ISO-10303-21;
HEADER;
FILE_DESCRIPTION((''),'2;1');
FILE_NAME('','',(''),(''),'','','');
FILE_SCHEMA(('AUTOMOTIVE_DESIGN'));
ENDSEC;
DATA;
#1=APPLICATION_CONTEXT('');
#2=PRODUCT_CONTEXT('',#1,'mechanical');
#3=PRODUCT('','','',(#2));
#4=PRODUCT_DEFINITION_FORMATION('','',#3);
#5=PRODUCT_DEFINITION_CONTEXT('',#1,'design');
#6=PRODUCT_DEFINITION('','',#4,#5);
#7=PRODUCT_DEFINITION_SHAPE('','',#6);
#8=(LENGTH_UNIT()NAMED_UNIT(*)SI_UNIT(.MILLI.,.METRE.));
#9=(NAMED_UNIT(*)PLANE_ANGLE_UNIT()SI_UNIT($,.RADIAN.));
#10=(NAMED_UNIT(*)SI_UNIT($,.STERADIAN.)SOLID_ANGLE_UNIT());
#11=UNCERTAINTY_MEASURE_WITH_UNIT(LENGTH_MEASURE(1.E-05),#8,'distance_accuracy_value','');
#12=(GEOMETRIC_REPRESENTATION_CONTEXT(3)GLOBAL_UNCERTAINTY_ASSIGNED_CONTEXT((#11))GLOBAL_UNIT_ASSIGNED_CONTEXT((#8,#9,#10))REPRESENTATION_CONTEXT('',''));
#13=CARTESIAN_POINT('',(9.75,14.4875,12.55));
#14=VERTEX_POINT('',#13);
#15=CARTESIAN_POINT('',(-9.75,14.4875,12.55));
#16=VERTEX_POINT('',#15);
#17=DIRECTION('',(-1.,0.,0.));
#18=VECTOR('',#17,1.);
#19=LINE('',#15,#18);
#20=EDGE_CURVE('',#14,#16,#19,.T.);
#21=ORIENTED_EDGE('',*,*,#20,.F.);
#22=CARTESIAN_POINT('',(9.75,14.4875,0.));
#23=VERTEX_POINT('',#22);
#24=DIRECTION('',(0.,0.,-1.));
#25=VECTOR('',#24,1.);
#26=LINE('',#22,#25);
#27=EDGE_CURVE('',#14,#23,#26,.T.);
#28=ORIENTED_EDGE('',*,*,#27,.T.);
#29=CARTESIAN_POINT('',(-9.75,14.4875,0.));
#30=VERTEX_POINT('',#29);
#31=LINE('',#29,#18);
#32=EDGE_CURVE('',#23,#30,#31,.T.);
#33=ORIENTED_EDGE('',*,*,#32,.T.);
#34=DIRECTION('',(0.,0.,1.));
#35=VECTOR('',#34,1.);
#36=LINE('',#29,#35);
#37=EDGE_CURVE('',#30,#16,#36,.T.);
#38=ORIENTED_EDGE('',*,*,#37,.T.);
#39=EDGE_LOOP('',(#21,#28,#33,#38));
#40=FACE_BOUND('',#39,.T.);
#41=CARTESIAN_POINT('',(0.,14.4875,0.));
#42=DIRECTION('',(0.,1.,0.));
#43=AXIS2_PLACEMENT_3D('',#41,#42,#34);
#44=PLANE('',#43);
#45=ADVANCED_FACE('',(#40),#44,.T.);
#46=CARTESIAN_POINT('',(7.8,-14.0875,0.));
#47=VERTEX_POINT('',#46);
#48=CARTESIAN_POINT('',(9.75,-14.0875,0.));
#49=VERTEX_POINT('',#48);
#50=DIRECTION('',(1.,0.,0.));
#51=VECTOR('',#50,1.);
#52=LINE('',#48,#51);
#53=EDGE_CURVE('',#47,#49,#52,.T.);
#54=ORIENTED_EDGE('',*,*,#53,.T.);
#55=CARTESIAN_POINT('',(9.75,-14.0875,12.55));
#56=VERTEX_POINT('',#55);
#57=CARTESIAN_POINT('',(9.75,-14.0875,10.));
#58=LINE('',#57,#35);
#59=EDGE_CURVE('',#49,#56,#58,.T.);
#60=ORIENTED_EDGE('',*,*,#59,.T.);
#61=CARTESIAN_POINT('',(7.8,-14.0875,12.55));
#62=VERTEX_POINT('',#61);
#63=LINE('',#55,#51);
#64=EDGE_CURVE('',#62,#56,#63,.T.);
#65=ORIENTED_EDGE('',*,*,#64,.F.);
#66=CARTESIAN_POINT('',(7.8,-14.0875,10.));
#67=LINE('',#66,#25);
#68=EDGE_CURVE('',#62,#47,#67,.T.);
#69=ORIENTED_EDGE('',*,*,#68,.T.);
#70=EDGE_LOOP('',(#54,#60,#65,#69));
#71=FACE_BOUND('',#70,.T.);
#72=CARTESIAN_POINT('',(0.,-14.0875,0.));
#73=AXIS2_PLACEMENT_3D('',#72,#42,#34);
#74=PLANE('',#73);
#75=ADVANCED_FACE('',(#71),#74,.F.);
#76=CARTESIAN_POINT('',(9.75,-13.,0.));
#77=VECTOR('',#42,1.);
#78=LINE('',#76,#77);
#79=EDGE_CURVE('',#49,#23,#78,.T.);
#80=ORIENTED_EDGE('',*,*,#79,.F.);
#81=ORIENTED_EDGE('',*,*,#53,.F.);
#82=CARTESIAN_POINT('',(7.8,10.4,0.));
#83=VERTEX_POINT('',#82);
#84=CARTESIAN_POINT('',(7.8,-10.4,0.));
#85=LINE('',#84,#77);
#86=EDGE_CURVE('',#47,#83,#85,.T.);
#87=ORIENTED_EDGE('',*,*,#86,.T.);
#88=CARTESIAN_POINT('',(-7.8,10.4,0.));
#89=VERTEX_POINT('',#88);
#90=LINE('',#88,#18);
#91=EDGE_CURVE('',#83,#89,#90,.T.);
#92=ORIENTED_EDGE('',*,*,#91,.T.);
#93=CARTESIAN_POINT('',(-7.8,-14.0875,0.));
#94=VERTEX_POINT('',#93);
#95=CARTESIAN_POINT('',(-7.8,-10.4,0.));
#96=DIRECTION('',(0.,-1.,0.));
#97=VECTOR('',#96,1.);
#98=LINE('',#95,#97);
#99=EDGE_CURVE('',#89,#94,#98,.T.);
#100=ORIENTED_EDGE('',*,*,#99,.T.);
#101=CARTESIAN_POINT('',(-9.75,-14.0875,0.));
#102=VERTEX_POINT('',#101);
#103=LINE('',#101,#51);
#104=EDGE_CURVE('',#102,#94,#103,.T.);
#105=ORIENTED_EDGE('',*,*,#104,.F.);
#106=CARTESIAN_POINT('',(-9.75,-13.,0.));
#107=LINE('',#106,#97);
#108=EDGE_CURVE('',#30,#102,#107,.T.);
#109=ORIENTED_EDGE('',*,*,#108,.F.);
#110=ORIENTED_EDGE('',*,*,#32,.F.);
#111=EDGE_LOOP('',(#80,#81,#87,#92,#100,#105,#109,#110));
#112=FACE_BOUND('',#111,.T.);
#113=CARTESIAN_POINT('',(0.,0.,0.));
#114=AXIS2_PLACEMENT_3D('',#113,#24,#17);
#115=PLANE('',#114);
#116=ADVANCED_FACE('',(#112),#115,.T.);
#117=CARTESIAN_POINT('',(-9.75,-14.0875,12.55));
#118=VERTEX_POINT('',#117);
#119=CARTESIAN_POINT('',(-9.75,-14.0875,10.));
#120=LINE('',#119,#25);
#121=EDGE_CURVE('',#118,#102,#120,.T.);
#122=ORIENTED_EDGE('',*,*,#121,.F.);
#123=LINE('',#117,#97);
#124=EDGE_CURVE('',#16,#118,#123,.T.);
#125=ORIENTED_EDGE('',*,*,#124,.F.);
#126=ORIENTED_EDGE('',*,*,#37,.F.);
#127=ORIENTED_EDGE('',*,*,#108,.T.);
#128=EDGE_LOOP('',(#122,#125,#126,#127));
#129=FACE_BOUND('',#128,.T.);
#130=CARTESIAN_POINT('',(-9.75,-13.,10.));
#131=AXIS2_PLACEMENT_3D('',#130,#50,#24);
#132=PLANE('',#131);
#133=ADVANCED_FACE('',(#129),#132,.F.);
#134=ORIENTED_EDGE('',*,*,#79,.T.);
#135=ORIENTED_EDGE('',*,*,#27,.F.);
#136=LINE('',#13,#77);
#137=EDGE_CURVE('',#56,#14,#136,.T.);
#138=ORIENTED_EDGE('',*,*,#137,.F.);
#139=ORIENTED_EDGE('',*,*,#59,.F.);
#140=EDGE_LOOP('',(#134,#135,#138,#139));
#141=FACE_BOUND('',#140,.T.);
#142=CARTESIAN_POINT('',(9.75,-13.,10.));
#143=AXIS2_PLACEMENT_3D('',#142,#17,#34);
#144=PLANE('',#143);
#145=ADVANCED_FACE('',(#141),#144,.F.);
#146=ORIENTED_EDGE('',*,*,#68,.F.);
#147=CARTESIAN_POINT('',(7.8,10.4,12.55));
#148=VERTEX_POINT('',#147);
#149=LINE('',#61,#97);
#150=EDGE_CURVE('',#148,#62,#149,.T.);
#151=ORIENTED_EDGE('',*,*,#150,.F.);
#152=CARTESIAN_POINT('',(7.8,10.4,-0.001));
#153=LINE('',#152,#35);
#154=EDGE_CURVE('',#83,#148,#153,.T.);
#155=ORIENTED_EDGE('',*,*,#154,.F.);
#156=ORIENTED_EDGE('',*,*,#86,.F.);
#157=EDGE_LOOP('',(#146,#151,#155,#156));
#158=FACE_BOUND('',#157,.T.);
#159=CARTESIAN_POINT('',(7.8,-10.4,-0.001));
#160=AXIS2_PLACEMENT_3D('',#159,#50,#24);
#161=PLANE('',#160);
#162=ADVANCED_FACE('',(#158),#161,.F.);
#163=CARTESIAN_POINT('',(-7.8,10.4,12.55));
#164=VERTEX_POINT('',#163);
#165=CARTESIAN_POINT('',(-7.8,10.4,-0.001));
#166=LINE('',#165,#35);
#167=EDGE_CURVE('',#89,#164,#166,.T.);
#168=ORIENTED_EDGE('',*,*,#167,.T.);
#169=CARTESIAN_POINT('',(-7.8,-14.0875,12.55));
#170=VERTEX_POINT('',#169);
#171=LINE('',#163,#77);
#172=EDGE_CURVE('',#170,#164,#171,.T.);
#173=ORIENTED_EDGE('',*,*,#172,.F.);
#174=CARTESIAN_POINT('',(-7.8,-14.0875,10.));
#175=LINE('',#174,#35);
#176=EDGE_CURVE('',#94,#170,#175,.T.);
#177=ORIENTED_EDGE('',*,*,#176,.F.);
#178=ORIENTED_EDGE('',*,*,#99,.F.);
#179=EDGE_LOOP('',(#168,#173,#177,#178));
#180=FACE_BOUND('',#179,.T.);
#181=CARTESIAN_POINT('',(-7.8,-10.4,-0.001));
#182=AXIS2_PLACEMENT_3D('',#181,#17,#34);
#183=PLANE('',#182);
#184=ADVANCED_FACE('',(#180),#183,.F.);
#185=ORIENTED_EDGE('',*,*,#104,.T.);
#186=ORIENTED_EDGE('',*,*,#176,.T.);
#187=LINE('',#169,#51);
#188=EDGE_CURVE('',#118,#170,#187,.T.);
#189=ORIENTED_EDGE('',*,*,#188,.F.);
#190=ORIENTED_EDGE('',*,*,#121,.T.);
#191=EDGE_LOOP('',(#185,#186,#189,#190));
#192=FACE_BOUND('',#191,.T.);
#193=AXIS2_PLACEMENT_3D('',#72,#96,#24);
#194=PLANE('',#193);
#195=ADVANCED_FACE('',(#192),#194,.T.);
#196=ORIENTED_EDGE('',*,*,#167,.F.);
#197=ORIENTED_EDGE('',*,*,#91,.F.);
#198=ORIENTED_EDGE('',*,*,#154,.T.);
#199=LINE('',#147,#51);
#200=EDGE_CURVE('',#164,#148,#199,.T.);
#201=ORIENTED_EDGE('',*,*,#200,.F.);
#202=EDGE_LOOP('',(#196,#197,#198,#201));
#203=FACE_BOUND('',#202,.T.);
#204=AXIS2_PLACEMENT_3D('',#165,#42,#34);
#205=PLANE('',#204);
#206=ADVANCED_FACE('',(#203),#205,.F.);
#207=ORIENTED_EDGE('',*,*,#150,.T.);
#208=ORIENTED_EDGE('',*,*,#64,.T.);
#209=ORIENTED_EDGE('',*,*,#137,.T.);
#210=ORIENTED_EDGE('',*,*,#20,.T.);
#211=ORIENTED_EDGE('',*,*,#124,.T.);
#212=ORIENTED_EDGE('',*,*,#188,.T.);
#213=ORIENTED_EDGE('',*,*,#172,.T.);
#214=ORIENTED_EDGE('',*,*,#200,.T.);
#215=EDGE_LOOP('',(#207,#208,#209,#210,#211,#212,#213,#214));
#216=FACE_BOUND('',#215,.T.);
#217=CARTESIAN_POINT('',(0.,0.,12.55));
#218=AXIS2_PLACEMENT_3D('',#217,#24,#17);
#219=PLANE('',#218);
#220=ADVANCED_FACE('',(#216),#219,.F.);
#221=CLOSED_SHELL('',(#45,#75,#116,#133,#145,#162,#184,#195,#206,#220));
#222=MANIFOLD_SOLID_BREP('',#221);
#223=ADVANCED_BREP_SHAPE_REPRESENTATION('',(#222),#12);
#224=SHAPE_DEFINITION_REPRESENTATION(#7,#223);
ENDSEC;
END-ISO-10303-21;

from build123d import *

# Parameters (mm, degrees)
SKETCH1_W           = 19.5
SKETCH1_H           = 26
BOSS_EXTRUDE1_DEPTH = 10
CUT_EXTRUDE1_REACH  = 21.08
SKETCH2_W           = 15.6
SKETCH2_H           = 20.8
CUT_EXTRUDE2_REACH  = 31.514
SKETCH3_R           = 1.25
CUT_EXTRUDE5_DEPTH  = 10
SKETCH8_W           = 19.5
SKETCH8_H           = 10
BOSS_EXTRUDE2_DEPTH = 1.4875
SKETCH9_W           = 15.6
SKETCH9_H           = 1.4875
SKETCH9_W_2         = 1.95
CUT_EXTRUDE7_DEPTH  = 21.123373381
SKETCH10_W          = 1.95
SKETCH10_H          = 10
BOSS_EXTRUDE3_DEPTH = 14.2875
BOSS_EXTRUDE4_DEPTH = 2.55


with BuildPart() as part:
    # Sketch1 → Boss-Extrude1 (new body)
    with BuildSketch(Plane.XY):
        Rectangle(SKETCH1_W, SKETCH1_H)
    extrude(amount=BOSS_EXTRUDE1_DEPTH)

    # Sketch2 → Cut-Extrude1 (cut, up to next)
    with BuildSketch(Plane.XY.offset(10), mode=Mode.PRIVATE) as cut_extrude1_sk1:
        Rectangle(SKETCH2_W, SKETCH2_H)
    cut_extrude1_tool1 = extrude(cut_extrude1_sk1.sketch, amount=-CUT_EXTRUDE1_REACH, mode=Mode.PRIVATE) & part.part
    add(cut_extrude1_tool1.solids().sort_by_distance((0, 0, 10))[0], mode=Mode.SUBTRACT)

    # Sketch3 → Cut-Extrude2 (cut, up to next)
    with BuildSketch(Plane.XZ.offset(13), mode=Mode.PRIVATE) as cut_extrude2_sk1:
        with Locations(Location((-5.85, 5, 0), (0, 0, 270))):
            Circle(SKETCH3_R)
    cut_extrude2_tool1 = extrude(cut_extrude2_sk1.sketch, amount=-CUT_EXTRUDE2_REACH, mode=Mode.PRIVATE) & part.part
    # Sketch3 → Cut-Extrude2 (cut, up to next)
    with BuildSketch(Plane.XZ.offset(13), mode=Mode.PRIVATE) as cut_extrude2_sk2:
        with Locations(Location((5.85, 5, 0), (0, 0, 270))):
            Circle(SKETCH3_R)
    cut_extrude2_tool2 = extrude(cut_extrude2_sk2.sketch, amount=-CUT_EXTRUDE2_REACH, mode=Mode.PRIVATE) & part.part
    add(cut_extrude2_tool1.solids().sort_by_distance((-5.85, -13, 5))[0], mode=Mode.SUBTRACT)
    add(cut_extrude2_tool2.solids().sort_by_distance((5.85, -13, 5))[0], mode=Mode.SUBTRACT)

    # Sketch6 → Cut-Extrude5 (cut)
    with BuildSketch(Plane.XY.offset(10)):
        Polygon((-7.8, -1.2875), (-9.75, -1.2875), (-9.75, -13), (9.75, -13), (9.75, -1.2875), (7.8, -1.2875), (7.8, -10.4), (-7.8, -10.4), align=None)
    extrude(amount=-CUT_EXTRUDE5_DEPTH, mode=Mode.SUBTRACT)

    # Sketch8 → Boss-Extrude2 (add)
    with BuildSketch(Plane(origin=(0, 13, 0), x_dir=(1, 0, 0), z_dir=(0, 1, 0))):
        with Locations((0, -5)):
            Rectangle(SKETCH8_W, SKETCH8_H)
    extrude(amount=BOSS_EXTRUDE2_DEPTH)

    # Sketch9 → Cut-Extrude7 (cut, through all)
    with BuildSketch(Plane.XY.offset(10)):
        with Locations((0, -0.54375)):
            Rectangle(SKETCH9_W, SKETCH9_H)
        with Locations((8.775, -0.54375)):
            Rectangle(SKETCH9_W_2, SKETCH9_H)
        with Locations((-8.775, -0.54375)):
            Rectangle(SKETCH9_W_2, SKETCH9_H)
    extrude(amount=-CUT_EXTRUDE7_DEPTH, mode=Mode.SUBTRACT)

    # Sketch10 → Boss-Extrude3 (add)
    with BuildSketch(Plane.XZ.offset(-0.2)):
        with Locations((-8.775, 5)):
            Rectangle(SKETCH10_W, SKETCH10_H)
        with Locations((8.775, 5)):
            Rectangle(SKETCH10_W, SKETCH10_H)
    extrude(amount=BOSS_EXTRUDE3_DEPTH)

    # Sketch11 → Boss-Extrude4 (add)
    with BuildSketch(Plane.XY.offset(10)):
        Polygon((-9.75, -14.0875), (-9.75, 14.4875), (9.75, 14.4875), (9.75, -14.0875), (7.8, -14.0875), (7.8, 10.4), (-7.8, 10.4), (-7.8, -14.0875), align=None)
    extrude(amount=BOSS_EXTRUDE4_DEPTH)


solid = part.part
